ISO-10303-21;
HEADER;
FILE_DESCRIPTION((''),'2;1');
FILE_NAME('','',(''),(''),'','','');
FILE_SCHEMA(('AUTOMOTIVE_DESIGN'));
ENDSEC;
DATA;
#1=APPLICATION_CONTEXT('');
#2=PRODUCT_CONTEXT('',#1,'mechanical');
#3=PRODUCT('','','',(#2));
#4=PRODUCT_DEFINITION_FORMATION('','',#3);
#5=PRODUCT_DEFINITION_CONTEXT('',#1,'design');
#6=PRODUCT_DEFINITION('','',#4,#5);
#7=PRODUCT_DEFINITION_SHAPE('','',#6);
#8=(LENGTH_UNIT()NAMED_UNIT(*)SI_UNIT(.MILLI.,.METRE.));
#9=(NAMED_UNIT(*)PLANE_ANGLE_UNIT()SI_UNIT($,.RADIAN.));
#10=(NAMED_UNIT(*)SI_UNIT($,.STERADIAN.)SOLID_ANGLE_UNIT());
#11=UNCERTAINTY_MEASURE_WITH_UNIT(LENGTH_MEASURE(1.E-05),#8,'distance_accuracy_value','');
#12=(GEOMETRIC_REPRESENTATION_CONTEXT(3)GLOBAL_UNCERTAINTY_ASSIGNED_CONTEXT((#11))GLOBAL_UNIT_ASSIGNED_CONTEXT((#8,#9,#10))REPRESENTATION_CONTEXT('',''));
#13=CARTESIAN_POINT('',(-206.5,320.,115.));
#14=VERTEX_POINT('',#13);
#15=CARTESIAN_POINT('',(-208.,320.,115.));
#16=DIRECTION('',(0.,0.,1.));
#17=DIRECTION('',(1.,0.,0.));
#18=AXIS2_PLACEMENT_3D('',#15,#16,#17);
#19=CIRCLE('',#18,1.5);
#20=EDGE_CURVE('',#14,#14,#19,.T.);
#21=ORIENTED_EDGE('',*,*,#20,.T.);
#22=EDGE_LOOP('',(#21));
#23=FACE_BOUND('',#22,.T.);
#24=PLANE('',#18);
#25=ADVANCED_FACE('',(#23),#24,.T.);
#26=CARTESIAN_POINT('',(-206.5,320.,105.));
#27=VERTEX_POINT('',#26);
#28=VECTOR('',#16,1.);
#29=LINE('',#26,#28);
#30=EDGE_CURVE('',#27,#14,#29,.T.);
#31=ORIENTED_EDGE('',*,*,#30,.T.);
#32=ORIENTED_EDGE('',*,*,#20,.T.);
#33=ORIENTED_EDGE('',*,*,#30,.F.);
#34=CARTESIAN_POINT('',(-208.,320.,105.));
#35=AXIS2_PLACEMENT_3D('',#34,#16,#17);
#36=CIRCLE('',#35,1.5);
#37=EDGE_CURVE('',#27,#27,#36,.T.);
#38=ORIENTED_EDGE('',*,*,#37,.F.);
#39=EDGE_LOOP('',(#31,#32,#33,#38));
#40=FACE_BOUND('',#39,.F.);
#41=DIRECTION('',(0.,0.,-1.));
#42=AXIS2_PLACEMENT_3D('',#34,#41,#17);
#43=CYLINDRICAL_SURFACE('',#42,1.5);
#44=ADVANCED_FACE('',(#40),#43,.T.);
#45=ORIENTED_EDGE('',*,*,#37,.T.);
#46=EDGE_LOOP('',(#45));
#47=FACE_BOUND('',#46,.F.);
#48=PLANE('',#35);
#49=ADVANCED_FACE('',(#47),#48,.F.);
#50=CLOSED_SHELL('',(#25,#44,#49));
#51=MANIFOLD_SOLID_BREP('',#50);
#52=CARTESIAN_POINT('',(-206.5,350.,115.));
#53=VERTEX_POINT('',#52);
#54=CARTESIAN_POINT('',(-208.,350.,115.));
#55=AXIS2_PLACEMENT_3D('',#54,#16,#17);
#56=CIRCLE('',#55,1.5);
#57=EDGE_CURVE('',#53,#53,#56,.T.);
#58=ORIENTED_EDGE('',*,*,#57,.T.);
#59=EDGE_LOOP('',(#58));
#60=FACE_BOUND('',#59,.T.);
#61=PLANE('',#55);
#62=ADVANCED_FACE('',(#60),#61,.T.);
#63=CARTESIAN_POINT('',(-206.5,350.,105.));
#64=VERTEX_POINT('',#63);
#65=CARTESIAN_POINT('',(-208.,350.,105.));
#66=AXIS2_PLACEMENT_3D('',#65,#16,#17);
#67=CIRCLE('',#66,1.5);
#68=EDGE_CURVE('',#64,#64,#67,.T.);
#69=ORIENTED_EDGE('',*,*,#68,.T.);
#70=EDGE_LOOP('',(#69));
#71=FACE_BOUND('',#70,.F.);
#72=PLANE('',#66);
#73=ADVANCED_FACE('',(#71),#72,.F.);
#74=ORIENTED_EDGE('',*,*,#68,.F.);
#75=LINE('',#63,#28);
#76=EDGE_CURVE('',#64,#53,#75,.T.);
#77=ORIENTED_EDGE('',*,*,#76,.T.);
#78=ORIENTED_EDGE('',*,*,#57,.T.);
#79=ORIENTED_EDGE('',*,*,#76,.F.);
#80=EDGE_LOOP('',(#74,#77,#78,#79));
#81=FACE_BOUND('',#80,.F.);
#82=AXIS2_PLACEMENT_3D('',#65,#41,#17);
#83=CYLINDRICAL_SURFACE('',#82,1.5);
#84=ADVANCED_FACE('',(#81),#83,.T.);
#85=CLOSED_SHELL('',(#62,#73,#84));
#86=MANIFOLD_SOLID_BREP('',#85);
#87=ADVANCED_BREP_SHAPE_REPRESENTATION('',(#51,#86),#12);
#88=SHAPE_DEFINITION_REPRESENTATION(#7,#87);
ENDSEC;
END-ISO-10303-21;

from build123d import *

# Parameters (mm, degrees)
CYLINDER_R        = 1.5
CYLINDER_DEPTH    = 10
CYLINDER001_R     = 1.5
CYLINDER001_DEPTH = 10


with BuildPart() as cylinder:
    # Cylinder → Cylinder (new body)
    with BuildSketch(Plane(origin=(-208, 320, 105), x_dir=(1, 0, 0), z_dir=(0, 0, 1))):
        Circle(CYLINDER_R)
    extrude(amount=CYLINDER_DEPTH)


with BuildPart() as fusion:
    # Cylinder001 → Cylinder001 (new body)
    with BuildSketch(Plane(origin=(-208, 350, 105), x_dir=(1, 0, 0), z_dir=(0, 0, 1))):
        Circle(CYLINDER001_R)
    extrude(amount=CYLINDER001_DEPTH)

    # Fusion: union Cylinder
    add(cylinder.part)


solid = fusion.part
